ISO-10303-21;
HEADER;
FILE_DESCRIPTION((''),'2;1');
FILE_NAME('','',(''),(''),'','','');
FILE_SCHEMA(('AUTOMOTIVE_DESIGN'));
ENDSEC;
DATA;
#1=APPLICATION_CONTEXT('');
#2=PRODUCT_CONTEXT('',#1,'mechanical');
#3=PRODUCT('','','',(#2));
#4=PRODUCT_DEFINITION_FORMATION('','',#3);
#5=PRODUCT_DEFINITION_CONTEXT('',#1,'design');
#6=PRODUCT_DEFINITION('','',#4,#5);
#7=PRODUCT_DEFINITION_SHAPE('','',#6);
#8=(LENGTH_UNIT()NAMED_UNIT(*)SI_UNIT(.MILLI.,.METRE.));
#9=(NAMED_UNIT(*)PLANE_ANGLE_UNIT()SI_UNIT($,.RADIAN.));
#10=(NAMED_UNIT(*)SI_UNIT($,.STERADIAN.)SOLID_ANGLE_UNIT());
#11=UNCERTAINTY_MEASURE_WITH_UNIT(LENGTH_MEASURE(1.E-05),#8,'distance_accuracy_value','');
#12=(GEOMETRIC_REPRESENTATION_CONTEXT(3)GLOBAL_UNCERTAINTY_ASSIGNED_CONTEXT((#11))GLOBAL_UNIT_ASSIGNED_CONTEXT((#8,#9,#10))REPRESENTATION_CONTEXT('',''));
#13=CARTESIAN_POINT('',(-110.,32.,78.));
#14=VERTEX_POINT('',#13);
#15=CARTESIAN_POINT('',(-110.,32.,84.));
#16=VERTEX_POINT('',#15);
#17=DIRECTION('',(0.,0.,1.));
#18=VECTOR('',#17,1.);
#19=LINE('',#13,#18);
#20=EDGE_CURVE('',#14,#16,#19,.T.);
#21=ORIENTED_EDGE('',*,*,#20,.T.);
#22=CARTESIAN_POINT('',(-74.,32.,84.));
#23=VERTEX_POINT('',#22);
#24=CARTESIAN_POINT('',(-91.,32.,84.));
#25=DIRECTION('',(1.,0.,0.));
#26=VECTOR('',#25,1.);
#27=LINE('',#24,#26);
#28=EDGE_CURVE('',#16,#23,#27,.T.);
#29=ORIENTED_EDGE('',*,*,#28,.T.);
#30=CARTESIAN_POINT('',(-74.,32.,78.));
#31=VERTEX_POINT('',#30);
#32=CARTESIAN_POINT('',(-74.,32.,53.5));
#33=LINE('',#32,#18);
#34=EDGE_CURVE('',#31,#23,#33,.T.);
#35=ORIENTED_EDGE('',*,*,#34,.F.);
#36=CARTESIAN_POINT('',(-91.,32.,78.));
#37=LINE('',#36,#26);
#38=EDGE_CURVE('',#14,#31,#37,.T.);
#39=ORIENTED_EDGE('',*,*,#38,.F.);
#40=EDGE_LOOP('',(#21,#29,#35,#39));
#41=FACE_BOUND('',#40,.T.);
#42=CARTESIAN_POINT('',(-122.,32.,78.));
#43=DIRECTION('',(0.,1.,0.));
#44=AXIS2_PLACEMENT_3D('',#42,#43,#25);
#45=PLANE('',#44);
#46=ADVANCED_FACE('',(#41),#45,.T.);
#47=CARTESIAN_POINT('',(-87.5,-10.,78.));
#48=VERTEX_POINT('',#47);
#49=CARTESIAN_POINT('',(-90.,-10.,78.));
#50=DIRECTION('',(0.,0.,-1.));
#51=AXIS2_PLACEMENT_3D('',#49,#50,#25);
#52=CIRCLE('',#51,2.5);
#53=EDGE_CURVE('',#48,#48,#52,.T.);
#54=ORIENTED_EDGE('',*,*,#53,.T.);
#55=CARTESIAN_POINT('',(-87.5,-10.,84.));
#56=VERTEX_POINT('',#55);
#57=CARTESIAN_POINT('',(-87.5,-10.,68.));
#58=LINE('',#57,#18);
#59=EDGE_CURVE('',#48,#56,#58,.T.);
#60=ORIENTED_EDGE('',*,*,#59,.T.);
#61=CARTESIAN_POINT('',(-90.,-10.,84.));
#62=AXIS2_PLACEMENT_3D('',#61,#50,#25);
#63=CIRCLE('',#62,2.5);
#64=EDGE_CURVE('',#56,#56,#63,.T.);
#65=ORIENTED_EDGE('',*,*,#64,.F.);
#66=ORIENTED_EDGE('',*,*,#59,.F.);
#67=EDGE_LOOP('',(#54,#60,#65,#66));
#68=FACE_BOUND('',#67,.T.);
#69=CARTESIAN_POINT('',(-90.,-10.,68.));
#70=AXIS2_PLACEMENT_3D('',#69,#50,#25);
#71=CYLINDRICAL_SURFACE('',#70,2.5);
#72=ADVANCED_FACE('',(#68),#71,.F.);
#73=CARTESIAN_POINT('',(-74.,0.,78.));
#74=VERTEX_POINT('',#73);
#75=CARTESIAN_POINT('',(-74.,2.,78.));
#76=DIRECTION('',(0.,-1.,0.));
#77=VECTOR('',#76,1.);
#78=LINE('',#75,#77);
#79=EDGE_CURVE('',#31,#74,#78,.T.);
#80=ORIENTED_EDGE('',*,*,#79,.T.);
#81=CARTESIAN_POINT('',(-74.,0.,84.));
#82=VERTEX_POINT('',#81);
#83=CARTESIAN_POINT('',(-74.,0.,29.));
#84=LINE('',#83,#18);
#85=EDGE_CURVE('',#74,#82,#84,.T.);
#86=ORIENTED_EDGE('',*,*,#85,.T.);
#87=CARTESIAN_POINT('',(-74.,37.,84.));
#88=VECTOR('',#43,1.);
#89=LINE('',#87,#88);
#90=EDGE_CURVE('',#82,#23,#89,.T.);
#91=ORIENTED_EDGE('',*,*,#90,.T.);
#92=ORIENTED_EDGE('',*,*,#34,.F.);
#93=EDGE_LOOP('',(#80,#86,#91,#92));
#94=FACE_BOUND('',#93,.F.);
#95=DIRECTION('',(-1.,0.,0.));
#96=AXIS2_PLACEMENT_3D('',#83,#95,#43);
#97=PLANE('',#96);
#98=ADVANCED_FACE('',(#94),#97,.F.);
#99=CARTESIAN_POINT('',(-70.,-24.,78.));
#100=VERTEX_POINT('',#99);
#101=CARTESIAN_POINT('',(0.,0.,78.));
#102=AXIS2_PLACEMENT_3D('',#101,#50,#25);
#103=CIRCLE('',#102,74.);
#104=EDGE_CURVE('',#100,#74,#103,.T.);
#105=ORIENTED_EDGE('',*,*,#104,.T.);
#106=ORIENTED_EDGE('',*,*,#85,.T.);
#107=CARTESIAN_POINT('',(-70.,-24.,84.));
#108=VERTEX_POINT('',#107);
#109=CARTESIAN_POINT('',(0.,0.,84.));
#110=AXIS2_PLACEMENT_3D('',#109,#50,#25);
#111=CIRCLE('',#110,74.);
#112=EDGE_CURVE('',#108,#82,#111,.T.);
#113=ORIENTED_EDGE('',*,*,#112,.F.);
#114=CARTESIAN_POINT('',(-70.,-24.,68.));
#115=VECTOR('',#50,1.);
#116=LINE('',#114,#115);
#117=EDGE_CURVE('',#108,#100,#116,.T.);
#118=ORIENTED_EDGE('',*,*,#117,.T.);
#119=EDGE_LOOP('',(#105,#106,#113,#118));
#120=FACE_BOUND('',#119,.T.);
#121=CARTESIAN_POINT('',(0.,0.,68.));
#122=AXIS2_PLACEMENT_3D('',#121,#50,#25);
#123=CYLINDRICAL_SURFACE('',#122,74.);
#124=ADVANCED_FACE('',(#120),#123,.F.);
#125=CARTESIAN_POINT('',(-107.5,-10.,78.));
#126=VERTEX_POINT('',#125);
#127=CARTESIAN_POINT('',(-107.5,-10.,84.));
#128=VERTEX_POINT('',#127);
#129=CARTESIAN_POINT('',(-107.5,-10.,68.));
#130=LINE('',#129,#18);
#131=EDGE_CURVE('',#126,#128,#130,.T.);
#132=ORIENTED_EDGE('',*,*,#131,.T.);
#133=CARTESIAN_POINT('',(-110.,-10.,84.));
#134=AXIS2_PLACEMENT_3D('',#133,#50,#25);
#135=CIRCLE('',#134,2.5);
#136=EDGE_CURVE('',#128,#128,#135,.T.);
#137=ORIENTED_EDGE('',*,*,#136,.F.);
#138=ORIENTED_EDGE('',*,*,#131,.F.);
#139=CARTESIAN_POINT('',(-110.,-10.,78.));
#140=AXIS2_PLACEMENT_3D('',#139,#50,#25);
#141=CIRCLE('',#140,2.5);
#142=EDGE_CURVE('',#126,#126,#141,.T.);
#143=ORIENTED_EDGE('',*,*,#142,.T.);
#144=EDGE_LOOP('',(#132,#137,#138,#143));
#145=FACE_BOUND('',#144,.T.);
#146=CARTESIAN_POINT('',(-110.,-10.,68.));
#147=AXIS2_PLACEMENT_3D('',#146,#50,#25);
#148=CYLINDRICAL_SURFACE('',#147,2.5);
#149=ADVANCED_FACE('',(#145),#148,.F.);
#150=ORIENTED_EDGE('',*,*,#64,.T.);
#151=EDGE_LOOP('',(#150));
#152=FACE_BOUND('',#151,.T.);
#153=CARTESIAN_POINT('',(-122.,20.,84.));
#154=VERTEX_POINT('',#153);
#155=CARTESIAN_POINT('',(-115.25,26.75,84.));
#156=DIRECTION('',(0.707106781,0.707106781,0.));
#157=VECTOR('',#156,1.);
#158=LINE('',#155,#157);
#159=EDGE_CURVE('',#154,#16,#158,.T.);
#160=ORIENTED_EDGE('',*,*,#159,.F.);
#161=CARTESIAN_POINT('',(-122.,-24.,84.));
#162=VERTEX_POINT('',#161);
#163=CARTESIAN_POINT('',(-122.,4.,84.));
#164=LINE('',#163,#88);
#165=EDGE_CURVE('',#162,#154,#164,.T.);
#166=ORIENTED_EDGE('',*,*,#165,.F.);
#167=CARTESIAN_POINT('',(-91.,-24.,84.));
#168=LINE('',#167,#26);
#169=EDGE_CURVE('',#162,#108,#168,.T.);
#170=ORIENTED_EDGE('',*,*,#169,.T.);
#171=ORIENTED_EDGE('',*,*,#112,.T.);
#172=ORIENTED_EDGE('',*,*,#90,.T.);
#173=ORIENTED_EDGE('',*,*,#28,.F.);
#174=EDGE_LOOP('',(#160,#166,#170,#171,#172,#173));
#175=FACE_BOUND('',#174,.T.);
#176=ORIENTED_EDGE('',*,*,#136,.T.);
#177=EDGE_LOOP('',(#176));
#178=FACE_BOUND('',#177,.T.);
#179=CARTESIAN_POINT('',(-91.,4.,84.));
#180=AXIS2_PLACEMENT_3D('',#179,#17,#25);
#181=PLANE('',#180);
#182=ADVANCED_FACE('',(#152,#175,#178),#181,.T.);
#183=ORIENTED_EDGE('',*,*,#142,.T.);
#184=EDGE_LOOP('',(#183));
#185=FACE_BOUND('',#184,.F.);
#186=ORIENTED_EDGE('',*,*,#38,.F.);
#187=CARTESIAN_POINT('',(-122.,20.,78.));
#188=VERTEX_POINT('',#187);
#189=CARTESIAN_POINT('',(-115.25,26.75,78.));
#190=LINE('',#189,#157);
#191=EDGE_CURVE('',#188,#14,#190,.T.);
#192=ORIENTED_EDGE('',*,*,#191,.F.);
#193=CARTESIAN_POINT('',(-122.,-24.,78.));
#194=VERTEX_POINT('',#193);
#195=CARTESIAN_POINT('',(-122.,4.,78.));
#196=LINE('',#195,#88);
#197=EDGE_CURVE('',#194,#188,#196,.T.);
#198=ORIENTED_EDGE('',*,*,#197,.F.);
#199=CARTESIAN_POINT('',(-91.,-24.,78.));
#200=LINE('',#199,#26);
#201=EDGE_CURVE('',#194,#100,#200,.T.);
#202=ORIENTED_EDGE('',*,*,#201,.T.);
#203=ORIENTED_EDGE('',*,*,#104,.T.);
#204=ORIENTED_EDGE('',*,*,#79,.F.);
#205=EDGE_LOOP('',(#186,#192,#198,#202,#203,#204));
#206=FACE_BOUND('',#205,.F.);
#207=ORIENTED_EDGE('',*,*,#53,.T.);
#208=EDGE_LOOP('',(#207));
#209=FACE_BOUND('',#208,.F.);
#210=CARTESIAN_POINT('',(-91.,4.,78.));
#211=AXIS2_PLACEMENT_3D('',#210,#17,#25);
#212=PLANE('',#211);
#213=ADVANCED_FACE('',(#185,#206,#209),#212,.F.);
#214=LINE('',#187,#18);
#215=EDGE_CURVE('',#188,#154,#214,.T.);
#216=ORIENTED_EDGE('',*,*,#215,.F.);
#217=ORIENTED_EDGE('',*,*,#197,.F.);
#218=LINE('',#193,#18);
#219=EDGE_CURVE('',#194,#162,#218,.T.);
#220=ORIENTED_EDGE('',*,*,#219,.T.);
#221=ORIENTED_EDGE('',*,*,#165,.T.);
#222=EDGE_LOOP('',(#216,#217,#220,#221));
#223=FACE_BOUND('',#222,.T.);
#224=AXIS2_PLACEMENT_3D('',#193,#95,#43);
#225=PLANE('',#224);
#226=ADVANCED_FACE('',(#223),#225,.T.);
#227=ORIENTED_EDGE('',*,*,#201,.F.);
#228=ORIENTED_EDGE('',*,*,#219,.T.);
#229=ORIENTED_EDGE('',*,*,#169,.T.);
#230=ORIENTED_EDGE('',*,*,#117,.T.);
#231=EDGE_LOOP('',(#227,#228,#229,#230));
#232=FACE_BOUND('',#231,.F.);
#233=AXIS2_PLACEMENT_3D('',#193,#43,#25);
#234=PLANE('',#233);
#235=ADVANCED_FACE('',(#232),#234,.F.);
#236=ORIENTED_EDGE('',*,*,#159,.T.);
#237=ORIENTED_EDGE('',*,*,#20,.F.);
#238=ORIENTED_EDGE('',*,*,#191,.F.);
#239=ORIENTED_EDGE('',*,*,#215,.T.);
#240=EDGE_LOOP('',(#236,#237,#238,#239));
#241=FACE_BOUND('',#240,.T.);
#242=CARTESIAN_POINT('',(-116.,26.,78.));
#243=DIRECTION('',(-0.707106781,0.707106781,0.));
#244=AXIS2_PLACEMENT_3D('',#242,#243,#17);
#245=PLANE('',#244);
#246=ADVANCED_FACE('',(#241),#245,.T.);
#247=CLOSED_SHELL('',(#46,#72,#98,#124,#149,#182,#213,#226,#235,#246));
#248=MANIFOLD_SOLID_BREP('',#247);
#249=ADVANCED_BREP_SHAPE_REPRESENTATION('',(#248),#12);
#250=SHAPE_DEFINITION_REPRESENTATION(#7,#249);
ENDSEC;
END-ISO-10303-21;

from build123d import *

# Parameters (mm, degrees)
BOX749_W           = 148
BOX749_H           = 74
BOX749_DEPTH       = 55
CYLINDER1788_R     = 2.5
CYLINDER1788_DEPTH = 20
CYLINDER1789_R     = 2.5
CYLINDER1789_DEPTH = 20
CYLINDER1787_R     = 74
CYLINDER1787_DEPTH = 32
BOX748_W           = 62
BOX748_H           = 56
BOX748_DEPTH       = 6
CHAMFER062_SIZE    = 12


with BuildPart() as krychle749:
    # Box749 → Box749 (new body)
    with BuildSketch(Plane(origin=(-74, 0, 29), x_dir=(1, 0, 0), z_dir=(0, 0, 1))):
        with Locations((74, 37)):
            Rectangle(BOX749_W, BOX749_H)
    extrude(amount=BOX749_DEPTH)


with BuildPart() as v_lec1788:
    # Cylinder1788 → Cylinder1788 (new body)
    with BuildSketch(Plane(origin=(-90, -10, 66), x_dir=(1, 0, 0), z_dir=(0, 0, 1))):
        Circle(CYLINDER1788_R)
    extrude(amount=CYLINDER1788_DEPTH)


with BuildPart() as compound914:
    # Cylinder1789 → Cylinder1789 (new body)
    with BuildSketch(Plane(origin=(-110, -10, 66), x_dir=(1, 0, 0), z_dir=(0, 0, 1))):
        Circle(CYLINDER1789_R)
    extrude(amount=CYLINDER1789_DEPTH)

    # Compound914: union Válec1788
    add(v_lec1788.part)


with BuildPart() as v_lec1787:
    # Cylinder1787 → Cylinder1787 (new body)
    with BuildSketch(Plane.XY.offset(66)):
        Circle(CYLINDER1787_R)
    extrude(amount=CYLINDER1787_DEPTH)


with BuildPart() as cut552:
    # Box748 → Box748 (new body)
    with BuildSketch(Plane(origin=(-122, -24, 76), x_dir=(1, 0, 0), z_dir=(0, 0, 1))):
        with Locations((31, 28)):
            Rectangle(BOX748_W, BOX748_H)
    extrude(amount=BOX748_DEPTH)

    # Cut545: cut Válec1787
    add(v_lec1787.part, mode=Mode.SUBTRACT)

    # Cut544: cut Compound914
    add(compound914.part, mode=Mode.SUBTRACT)


with BuildPart() as cut552_1:
    # Cut544 placement: moved
    add(cut552.part.moved(Location((0, 0, 2))))

    # Chamfer062
    chamfer062_edges = [cut552_1.edges().sort_by_distance(p)[0] for p in [
        (-122, 32, 81),
    ]]
    chamfer(chamfer062_edges, length=CHAMFER062_SIZE)

    # Cut552: cut Krychle749
    add(krychle749.part, mode=Mode.SUBTRACT)


solid = cut552_1.part
